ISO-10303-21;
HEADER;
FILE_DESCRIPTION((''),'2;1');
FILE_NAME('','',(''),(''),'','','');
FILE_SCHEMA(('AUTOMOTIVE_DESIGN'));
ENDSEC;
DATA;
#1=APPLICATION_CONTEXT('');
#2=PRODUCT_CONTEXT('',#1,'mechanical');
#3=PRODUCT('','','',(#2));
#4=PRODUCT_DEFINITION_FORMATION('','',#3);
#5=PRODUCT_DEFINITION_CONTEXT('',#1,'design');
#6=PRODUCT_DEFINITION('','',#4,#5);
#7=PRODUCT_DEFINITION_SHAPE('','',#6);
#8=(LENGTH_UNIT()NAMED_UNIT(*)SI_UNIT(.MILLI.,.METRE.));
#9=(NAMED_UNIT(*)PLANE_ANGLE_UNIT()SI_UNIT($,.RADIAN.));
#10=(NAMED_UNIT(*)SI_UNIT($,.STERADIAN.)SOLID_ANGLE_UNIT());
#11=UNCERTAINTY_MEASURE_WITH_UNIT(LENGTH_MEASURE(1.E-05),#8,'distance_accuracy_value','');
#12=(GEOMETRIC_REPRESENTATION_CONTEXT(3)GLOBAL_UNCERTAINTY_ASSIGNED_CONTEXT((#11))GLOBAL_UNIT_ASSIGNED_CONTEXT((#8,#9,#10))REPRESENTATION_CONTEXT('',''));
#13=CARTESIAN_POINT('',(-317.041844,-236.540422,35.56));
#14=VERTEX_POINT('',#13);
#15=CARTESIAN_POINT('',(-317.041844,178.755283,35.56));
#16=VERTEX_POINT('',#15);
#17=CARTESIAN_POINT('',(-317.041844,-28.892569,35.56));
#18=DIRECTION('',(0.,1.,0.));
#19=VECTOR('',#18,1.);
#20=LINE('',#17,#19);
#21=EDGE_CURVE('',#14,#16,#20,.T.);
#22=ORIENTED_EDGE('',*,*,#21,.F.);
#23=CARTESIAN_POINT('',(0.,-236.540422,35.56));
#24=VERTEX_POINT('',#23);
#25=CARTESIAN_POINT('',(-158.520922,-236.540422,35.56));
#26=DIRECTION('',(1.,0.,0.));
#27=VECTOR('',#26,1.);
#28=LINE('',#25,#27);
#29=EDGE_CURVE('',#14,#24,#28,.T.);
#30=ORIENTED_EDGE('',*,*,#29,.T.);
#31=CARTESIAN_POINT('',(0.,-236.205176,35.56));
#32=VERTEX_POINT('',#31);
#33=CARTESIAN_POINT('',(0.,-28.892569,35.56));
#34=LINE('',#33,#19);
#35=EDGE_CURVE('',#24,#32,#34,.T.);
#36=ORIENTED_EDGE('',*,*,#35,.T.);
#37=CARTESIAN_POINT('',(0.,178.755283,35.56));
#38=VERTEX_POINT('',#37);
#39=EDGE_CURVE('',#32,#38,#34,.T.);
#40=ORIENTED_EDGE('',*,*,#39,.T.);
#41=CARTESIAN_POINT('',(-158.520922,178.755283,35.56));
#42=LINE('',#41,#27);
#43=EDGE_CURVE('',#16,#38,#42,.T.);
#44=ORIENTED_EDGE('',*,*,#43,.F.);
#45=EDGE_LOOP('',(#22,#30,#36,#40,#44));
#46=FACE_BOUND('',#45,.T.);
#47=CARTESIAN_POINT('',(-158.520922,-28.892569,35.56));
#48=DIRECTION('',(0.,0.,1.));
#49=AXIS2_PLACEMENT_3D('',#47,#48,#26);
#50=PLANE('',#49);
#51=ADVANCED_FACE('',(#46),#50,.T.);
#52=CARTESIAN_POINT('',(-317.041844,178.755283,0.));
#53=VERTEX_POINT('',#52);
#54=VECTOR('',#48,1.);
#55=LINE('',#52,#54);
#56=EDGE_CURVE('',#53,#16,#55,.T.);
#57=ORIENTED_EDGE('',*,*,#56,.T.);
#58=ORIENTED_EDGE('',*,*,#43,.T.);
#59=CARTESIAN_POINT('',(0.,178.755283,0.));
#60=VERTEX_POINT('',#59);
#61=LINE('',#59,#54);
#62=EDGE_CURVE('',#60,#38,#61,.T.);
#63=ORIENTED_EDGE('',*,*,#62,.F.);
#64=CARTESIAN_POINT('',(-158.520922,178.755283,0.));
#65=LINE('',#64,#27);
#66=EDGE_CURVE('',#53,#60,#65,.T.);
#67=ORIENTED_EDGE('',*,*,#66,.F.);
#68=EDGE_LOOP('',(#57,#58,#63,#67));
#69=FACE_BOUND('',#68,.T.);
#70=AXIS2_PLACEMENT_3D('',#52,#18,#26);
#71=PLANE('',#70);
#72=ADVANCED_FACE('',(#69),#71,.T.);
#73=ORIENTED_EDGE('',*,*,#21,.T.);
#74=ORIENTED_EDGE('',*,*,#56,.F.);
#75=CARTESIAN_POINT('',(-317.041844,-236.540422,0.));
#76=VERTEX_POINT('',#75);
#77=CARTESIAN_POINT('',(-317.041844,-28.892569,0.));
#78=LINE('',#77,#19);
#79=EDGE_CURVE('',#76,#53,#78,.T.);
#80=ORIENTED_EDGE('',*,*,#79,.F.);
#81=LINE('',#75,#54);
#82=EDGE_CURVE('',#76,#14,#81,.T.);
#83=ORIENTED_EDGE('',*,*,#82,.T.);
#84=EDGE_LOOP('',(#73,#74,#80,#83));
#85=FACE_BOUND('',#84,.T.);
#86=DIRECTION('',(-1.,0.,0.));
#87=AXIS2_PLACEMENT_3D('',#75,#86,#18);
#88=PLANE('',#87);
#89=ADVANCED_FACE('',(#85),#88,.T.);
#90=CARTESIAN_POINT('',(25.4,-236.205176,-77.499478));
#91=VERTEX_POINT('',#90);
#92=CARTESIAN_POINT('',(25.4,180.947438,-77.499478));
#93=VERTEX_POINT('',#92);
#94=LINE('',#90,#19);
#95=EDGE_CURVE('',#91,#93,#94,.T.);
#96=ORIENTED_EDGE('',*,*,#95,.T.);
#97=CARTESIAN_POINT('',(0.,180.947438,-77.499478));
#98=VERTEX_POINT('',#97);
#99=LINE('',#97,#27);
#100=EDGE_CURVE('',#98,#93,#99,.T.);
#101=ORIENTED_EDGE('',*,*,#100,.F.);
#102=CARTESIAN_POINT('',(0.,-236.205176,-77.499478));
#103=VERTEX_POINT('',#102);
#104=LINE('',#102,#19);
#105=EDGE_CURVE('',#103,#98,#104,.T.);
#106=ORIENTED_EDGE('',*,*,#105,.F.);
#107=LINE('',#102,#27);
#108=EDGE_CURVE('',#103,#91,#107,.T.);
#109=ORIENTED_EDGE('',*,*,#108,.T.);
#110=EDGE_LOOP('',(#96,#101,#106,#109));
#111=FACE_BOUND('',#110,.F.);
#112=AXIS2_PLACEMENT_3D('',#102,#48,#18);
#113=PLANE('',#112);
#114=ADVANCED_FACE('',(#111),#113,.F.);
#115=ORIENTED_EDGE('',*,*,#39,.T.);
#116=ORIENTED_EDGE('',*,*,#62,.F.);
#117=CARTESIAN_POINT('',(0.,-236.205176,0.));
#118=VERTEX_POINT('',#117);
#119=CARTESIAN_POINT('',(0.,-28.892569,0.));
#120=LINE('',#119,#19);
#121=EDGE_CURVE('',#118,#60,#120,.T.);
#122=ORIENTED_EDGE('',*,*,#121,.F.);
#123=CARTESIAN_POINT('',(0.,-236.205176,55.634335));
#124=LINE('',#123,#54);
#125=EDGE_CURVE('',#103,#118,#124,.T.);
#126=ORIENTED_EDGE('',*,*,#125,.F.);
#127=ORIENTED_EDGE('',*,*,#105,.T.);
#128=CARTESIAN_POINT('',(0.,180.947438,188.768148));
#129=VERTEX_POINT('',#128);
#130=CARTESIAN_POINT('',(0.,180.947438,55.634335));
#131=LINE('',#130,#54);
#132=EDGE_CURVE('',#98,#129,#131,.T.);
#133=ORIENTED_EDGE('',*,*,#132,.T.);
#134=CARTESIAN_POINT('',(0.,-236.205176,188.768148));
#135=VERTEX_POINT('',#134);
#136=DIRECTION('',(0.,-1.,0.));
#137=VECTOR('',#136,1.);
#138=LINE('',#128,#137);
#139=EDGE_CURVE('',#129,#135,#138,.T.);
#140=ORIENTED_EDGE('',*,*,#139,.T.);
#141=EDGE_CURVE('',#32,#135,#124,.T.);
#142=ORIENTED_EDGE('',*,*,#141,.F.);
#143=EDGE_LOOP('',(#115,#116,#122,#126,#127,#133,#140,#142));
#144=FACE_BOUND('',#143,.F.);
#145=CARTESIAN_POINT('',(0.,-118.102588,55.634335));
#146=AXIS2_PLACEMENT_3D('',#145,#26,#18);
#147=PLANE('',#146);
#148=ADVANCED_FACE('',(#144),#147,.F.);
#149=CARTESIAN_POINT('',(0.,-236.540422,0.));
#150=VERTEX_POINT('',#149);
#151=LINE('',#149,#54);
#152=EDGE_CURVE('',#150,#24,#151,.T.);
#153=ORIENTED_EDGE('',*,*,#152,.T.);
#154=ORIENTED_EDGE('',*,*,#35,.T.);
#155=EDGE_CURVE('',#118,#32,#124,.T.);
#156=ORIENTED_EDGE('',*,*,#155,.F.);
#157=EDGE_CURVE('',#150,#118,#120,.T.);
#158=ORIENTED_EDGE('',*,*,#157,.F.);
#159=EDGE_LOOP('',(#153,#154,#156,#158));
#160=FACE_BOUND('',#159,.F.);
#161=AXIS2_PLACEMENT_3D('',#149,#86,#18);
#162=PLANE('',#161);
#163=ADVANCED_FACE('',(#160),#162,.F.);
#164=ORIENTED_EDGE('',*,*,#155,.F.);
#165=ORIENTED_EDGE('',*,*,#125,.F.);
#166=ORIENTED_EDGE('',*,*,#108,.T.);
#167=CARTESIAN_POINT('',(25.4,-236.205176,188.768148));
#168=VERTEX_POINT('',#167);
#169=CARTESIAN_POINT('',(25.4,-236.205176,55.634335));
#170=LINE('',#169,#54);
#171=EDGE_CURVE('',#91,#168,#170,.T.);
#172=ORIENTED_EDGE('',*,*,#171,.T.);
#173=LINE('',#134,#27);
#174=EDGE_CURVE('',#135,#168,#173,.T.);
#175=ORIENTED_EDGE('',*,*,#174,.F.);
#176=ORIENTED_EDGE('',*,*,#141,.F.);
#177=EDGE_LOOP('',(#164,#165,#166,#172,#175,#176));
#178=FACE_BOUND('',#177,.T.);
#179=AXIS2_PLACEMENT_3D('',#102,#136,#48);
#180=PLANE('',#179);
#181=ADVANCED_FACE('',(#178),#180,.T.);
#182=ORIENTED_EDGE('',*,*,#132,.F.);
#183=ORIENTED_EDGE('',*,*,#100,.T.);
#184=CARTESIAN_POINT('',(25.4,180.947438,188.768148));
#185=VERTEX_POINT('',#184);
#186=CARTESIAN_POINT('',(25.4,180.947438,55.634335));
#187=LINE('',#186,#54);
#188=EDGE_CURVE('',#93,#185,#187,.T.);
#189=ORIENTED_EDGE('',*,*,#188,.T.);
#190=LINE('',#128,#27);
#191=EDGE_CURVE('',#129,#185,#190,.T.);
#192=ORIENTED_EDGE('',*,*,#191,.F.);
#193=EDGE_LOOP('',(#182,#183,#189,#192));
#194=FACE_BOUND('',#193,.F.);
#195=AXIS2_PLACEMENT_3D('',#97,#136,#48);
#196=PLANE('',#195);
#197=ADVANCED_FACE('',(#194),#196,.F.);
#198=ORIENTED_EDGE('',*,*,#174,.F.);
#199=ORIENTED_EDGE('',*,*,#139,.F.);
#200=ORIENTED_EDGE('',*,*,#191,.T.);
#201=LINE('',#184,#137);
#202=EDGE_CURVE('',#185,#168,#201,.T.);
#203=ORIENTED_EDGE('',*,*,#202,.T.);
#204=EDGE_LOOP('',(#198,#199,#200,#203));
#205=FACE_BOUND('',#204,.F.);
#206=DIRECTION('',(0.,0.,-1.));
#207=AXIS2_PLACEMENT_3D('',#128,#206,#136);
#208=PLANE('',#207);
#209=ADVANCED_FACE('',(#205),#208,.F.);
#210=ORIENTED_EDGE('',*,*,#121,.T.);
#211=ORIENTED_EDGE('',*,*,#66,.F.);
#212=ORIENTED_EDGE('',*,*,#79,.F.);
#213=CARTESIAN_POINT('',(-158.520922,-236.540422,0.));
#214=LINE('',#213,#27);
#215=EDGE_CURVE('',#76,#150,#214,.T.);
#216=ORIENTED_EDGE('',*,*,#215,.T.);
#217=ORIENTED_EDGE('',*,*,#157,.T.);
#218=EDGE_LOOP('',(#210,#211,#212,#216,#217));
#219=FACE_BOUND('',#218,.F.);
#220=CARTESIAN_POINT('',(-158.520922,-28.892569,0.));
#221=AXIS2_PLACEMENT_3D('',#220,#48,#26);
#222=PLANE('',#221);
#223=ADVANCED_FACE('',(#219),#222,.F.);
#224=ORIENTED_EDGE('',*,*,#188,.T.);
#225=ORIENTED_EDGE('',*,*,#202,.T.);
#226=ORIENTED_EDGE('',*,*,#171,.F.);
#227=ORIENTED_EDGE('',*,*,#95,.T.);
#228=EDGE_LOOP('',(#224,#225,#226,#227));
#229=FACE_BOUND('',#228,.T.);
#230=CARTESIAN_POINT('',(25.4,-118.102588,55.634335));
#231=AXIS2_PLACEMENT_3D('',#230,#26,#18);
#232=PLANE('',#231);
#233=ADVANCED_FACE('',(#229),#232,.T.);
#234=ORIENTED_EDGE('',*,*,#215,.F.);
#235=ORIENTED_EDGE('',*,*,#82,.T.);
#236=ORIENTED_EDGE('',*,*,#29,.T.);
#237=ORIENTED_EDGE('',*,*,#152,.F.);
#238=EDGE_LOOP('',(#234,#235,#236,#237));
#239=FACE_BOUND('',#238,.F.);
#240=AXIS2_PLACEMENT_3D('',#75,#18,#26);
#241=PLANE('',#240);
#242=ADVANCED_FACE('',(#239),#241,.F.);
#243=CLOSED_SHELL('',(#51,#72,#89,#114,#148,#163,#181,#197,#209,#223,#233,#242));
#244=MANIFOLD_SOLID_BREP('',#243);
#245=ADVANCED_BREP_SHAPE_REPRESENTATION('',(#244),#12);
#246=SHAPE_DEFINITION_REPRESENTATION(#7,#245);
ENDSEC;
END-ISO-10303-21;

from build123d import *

# Parameters (mm, degrees)
F0_W     = 236.205176
F0_H     = 266.267627
F0_W_2   = 180.947438
F1_DEPTH = 25.4
F2_W     = 317.041844
F2_H     = 415.295705
F3_DEPTH = 35.56


with BuildPart() as f1:
    # F0 (on Right) → F1 (new body)
    with BuildSketch(Plane.YZ):
        with Locations((-118.102588, 55.634335)):
            Rectangle(F0_W, F0_H)
        with Locations((90.473719, 55.634335)):
            Rectangle(F0_W_2, F0_H)
    extrude(amount=F1_DEPTH)

    # F2 (on Top) → F3 (join)
    with BuildSketch(Plane.XY):
        with Locations((-158.520922, -28.892569)):
            Rectangle(F2_W, F2_H)
    extrude(amount=F3_DEPTH)


solid = f1.part
